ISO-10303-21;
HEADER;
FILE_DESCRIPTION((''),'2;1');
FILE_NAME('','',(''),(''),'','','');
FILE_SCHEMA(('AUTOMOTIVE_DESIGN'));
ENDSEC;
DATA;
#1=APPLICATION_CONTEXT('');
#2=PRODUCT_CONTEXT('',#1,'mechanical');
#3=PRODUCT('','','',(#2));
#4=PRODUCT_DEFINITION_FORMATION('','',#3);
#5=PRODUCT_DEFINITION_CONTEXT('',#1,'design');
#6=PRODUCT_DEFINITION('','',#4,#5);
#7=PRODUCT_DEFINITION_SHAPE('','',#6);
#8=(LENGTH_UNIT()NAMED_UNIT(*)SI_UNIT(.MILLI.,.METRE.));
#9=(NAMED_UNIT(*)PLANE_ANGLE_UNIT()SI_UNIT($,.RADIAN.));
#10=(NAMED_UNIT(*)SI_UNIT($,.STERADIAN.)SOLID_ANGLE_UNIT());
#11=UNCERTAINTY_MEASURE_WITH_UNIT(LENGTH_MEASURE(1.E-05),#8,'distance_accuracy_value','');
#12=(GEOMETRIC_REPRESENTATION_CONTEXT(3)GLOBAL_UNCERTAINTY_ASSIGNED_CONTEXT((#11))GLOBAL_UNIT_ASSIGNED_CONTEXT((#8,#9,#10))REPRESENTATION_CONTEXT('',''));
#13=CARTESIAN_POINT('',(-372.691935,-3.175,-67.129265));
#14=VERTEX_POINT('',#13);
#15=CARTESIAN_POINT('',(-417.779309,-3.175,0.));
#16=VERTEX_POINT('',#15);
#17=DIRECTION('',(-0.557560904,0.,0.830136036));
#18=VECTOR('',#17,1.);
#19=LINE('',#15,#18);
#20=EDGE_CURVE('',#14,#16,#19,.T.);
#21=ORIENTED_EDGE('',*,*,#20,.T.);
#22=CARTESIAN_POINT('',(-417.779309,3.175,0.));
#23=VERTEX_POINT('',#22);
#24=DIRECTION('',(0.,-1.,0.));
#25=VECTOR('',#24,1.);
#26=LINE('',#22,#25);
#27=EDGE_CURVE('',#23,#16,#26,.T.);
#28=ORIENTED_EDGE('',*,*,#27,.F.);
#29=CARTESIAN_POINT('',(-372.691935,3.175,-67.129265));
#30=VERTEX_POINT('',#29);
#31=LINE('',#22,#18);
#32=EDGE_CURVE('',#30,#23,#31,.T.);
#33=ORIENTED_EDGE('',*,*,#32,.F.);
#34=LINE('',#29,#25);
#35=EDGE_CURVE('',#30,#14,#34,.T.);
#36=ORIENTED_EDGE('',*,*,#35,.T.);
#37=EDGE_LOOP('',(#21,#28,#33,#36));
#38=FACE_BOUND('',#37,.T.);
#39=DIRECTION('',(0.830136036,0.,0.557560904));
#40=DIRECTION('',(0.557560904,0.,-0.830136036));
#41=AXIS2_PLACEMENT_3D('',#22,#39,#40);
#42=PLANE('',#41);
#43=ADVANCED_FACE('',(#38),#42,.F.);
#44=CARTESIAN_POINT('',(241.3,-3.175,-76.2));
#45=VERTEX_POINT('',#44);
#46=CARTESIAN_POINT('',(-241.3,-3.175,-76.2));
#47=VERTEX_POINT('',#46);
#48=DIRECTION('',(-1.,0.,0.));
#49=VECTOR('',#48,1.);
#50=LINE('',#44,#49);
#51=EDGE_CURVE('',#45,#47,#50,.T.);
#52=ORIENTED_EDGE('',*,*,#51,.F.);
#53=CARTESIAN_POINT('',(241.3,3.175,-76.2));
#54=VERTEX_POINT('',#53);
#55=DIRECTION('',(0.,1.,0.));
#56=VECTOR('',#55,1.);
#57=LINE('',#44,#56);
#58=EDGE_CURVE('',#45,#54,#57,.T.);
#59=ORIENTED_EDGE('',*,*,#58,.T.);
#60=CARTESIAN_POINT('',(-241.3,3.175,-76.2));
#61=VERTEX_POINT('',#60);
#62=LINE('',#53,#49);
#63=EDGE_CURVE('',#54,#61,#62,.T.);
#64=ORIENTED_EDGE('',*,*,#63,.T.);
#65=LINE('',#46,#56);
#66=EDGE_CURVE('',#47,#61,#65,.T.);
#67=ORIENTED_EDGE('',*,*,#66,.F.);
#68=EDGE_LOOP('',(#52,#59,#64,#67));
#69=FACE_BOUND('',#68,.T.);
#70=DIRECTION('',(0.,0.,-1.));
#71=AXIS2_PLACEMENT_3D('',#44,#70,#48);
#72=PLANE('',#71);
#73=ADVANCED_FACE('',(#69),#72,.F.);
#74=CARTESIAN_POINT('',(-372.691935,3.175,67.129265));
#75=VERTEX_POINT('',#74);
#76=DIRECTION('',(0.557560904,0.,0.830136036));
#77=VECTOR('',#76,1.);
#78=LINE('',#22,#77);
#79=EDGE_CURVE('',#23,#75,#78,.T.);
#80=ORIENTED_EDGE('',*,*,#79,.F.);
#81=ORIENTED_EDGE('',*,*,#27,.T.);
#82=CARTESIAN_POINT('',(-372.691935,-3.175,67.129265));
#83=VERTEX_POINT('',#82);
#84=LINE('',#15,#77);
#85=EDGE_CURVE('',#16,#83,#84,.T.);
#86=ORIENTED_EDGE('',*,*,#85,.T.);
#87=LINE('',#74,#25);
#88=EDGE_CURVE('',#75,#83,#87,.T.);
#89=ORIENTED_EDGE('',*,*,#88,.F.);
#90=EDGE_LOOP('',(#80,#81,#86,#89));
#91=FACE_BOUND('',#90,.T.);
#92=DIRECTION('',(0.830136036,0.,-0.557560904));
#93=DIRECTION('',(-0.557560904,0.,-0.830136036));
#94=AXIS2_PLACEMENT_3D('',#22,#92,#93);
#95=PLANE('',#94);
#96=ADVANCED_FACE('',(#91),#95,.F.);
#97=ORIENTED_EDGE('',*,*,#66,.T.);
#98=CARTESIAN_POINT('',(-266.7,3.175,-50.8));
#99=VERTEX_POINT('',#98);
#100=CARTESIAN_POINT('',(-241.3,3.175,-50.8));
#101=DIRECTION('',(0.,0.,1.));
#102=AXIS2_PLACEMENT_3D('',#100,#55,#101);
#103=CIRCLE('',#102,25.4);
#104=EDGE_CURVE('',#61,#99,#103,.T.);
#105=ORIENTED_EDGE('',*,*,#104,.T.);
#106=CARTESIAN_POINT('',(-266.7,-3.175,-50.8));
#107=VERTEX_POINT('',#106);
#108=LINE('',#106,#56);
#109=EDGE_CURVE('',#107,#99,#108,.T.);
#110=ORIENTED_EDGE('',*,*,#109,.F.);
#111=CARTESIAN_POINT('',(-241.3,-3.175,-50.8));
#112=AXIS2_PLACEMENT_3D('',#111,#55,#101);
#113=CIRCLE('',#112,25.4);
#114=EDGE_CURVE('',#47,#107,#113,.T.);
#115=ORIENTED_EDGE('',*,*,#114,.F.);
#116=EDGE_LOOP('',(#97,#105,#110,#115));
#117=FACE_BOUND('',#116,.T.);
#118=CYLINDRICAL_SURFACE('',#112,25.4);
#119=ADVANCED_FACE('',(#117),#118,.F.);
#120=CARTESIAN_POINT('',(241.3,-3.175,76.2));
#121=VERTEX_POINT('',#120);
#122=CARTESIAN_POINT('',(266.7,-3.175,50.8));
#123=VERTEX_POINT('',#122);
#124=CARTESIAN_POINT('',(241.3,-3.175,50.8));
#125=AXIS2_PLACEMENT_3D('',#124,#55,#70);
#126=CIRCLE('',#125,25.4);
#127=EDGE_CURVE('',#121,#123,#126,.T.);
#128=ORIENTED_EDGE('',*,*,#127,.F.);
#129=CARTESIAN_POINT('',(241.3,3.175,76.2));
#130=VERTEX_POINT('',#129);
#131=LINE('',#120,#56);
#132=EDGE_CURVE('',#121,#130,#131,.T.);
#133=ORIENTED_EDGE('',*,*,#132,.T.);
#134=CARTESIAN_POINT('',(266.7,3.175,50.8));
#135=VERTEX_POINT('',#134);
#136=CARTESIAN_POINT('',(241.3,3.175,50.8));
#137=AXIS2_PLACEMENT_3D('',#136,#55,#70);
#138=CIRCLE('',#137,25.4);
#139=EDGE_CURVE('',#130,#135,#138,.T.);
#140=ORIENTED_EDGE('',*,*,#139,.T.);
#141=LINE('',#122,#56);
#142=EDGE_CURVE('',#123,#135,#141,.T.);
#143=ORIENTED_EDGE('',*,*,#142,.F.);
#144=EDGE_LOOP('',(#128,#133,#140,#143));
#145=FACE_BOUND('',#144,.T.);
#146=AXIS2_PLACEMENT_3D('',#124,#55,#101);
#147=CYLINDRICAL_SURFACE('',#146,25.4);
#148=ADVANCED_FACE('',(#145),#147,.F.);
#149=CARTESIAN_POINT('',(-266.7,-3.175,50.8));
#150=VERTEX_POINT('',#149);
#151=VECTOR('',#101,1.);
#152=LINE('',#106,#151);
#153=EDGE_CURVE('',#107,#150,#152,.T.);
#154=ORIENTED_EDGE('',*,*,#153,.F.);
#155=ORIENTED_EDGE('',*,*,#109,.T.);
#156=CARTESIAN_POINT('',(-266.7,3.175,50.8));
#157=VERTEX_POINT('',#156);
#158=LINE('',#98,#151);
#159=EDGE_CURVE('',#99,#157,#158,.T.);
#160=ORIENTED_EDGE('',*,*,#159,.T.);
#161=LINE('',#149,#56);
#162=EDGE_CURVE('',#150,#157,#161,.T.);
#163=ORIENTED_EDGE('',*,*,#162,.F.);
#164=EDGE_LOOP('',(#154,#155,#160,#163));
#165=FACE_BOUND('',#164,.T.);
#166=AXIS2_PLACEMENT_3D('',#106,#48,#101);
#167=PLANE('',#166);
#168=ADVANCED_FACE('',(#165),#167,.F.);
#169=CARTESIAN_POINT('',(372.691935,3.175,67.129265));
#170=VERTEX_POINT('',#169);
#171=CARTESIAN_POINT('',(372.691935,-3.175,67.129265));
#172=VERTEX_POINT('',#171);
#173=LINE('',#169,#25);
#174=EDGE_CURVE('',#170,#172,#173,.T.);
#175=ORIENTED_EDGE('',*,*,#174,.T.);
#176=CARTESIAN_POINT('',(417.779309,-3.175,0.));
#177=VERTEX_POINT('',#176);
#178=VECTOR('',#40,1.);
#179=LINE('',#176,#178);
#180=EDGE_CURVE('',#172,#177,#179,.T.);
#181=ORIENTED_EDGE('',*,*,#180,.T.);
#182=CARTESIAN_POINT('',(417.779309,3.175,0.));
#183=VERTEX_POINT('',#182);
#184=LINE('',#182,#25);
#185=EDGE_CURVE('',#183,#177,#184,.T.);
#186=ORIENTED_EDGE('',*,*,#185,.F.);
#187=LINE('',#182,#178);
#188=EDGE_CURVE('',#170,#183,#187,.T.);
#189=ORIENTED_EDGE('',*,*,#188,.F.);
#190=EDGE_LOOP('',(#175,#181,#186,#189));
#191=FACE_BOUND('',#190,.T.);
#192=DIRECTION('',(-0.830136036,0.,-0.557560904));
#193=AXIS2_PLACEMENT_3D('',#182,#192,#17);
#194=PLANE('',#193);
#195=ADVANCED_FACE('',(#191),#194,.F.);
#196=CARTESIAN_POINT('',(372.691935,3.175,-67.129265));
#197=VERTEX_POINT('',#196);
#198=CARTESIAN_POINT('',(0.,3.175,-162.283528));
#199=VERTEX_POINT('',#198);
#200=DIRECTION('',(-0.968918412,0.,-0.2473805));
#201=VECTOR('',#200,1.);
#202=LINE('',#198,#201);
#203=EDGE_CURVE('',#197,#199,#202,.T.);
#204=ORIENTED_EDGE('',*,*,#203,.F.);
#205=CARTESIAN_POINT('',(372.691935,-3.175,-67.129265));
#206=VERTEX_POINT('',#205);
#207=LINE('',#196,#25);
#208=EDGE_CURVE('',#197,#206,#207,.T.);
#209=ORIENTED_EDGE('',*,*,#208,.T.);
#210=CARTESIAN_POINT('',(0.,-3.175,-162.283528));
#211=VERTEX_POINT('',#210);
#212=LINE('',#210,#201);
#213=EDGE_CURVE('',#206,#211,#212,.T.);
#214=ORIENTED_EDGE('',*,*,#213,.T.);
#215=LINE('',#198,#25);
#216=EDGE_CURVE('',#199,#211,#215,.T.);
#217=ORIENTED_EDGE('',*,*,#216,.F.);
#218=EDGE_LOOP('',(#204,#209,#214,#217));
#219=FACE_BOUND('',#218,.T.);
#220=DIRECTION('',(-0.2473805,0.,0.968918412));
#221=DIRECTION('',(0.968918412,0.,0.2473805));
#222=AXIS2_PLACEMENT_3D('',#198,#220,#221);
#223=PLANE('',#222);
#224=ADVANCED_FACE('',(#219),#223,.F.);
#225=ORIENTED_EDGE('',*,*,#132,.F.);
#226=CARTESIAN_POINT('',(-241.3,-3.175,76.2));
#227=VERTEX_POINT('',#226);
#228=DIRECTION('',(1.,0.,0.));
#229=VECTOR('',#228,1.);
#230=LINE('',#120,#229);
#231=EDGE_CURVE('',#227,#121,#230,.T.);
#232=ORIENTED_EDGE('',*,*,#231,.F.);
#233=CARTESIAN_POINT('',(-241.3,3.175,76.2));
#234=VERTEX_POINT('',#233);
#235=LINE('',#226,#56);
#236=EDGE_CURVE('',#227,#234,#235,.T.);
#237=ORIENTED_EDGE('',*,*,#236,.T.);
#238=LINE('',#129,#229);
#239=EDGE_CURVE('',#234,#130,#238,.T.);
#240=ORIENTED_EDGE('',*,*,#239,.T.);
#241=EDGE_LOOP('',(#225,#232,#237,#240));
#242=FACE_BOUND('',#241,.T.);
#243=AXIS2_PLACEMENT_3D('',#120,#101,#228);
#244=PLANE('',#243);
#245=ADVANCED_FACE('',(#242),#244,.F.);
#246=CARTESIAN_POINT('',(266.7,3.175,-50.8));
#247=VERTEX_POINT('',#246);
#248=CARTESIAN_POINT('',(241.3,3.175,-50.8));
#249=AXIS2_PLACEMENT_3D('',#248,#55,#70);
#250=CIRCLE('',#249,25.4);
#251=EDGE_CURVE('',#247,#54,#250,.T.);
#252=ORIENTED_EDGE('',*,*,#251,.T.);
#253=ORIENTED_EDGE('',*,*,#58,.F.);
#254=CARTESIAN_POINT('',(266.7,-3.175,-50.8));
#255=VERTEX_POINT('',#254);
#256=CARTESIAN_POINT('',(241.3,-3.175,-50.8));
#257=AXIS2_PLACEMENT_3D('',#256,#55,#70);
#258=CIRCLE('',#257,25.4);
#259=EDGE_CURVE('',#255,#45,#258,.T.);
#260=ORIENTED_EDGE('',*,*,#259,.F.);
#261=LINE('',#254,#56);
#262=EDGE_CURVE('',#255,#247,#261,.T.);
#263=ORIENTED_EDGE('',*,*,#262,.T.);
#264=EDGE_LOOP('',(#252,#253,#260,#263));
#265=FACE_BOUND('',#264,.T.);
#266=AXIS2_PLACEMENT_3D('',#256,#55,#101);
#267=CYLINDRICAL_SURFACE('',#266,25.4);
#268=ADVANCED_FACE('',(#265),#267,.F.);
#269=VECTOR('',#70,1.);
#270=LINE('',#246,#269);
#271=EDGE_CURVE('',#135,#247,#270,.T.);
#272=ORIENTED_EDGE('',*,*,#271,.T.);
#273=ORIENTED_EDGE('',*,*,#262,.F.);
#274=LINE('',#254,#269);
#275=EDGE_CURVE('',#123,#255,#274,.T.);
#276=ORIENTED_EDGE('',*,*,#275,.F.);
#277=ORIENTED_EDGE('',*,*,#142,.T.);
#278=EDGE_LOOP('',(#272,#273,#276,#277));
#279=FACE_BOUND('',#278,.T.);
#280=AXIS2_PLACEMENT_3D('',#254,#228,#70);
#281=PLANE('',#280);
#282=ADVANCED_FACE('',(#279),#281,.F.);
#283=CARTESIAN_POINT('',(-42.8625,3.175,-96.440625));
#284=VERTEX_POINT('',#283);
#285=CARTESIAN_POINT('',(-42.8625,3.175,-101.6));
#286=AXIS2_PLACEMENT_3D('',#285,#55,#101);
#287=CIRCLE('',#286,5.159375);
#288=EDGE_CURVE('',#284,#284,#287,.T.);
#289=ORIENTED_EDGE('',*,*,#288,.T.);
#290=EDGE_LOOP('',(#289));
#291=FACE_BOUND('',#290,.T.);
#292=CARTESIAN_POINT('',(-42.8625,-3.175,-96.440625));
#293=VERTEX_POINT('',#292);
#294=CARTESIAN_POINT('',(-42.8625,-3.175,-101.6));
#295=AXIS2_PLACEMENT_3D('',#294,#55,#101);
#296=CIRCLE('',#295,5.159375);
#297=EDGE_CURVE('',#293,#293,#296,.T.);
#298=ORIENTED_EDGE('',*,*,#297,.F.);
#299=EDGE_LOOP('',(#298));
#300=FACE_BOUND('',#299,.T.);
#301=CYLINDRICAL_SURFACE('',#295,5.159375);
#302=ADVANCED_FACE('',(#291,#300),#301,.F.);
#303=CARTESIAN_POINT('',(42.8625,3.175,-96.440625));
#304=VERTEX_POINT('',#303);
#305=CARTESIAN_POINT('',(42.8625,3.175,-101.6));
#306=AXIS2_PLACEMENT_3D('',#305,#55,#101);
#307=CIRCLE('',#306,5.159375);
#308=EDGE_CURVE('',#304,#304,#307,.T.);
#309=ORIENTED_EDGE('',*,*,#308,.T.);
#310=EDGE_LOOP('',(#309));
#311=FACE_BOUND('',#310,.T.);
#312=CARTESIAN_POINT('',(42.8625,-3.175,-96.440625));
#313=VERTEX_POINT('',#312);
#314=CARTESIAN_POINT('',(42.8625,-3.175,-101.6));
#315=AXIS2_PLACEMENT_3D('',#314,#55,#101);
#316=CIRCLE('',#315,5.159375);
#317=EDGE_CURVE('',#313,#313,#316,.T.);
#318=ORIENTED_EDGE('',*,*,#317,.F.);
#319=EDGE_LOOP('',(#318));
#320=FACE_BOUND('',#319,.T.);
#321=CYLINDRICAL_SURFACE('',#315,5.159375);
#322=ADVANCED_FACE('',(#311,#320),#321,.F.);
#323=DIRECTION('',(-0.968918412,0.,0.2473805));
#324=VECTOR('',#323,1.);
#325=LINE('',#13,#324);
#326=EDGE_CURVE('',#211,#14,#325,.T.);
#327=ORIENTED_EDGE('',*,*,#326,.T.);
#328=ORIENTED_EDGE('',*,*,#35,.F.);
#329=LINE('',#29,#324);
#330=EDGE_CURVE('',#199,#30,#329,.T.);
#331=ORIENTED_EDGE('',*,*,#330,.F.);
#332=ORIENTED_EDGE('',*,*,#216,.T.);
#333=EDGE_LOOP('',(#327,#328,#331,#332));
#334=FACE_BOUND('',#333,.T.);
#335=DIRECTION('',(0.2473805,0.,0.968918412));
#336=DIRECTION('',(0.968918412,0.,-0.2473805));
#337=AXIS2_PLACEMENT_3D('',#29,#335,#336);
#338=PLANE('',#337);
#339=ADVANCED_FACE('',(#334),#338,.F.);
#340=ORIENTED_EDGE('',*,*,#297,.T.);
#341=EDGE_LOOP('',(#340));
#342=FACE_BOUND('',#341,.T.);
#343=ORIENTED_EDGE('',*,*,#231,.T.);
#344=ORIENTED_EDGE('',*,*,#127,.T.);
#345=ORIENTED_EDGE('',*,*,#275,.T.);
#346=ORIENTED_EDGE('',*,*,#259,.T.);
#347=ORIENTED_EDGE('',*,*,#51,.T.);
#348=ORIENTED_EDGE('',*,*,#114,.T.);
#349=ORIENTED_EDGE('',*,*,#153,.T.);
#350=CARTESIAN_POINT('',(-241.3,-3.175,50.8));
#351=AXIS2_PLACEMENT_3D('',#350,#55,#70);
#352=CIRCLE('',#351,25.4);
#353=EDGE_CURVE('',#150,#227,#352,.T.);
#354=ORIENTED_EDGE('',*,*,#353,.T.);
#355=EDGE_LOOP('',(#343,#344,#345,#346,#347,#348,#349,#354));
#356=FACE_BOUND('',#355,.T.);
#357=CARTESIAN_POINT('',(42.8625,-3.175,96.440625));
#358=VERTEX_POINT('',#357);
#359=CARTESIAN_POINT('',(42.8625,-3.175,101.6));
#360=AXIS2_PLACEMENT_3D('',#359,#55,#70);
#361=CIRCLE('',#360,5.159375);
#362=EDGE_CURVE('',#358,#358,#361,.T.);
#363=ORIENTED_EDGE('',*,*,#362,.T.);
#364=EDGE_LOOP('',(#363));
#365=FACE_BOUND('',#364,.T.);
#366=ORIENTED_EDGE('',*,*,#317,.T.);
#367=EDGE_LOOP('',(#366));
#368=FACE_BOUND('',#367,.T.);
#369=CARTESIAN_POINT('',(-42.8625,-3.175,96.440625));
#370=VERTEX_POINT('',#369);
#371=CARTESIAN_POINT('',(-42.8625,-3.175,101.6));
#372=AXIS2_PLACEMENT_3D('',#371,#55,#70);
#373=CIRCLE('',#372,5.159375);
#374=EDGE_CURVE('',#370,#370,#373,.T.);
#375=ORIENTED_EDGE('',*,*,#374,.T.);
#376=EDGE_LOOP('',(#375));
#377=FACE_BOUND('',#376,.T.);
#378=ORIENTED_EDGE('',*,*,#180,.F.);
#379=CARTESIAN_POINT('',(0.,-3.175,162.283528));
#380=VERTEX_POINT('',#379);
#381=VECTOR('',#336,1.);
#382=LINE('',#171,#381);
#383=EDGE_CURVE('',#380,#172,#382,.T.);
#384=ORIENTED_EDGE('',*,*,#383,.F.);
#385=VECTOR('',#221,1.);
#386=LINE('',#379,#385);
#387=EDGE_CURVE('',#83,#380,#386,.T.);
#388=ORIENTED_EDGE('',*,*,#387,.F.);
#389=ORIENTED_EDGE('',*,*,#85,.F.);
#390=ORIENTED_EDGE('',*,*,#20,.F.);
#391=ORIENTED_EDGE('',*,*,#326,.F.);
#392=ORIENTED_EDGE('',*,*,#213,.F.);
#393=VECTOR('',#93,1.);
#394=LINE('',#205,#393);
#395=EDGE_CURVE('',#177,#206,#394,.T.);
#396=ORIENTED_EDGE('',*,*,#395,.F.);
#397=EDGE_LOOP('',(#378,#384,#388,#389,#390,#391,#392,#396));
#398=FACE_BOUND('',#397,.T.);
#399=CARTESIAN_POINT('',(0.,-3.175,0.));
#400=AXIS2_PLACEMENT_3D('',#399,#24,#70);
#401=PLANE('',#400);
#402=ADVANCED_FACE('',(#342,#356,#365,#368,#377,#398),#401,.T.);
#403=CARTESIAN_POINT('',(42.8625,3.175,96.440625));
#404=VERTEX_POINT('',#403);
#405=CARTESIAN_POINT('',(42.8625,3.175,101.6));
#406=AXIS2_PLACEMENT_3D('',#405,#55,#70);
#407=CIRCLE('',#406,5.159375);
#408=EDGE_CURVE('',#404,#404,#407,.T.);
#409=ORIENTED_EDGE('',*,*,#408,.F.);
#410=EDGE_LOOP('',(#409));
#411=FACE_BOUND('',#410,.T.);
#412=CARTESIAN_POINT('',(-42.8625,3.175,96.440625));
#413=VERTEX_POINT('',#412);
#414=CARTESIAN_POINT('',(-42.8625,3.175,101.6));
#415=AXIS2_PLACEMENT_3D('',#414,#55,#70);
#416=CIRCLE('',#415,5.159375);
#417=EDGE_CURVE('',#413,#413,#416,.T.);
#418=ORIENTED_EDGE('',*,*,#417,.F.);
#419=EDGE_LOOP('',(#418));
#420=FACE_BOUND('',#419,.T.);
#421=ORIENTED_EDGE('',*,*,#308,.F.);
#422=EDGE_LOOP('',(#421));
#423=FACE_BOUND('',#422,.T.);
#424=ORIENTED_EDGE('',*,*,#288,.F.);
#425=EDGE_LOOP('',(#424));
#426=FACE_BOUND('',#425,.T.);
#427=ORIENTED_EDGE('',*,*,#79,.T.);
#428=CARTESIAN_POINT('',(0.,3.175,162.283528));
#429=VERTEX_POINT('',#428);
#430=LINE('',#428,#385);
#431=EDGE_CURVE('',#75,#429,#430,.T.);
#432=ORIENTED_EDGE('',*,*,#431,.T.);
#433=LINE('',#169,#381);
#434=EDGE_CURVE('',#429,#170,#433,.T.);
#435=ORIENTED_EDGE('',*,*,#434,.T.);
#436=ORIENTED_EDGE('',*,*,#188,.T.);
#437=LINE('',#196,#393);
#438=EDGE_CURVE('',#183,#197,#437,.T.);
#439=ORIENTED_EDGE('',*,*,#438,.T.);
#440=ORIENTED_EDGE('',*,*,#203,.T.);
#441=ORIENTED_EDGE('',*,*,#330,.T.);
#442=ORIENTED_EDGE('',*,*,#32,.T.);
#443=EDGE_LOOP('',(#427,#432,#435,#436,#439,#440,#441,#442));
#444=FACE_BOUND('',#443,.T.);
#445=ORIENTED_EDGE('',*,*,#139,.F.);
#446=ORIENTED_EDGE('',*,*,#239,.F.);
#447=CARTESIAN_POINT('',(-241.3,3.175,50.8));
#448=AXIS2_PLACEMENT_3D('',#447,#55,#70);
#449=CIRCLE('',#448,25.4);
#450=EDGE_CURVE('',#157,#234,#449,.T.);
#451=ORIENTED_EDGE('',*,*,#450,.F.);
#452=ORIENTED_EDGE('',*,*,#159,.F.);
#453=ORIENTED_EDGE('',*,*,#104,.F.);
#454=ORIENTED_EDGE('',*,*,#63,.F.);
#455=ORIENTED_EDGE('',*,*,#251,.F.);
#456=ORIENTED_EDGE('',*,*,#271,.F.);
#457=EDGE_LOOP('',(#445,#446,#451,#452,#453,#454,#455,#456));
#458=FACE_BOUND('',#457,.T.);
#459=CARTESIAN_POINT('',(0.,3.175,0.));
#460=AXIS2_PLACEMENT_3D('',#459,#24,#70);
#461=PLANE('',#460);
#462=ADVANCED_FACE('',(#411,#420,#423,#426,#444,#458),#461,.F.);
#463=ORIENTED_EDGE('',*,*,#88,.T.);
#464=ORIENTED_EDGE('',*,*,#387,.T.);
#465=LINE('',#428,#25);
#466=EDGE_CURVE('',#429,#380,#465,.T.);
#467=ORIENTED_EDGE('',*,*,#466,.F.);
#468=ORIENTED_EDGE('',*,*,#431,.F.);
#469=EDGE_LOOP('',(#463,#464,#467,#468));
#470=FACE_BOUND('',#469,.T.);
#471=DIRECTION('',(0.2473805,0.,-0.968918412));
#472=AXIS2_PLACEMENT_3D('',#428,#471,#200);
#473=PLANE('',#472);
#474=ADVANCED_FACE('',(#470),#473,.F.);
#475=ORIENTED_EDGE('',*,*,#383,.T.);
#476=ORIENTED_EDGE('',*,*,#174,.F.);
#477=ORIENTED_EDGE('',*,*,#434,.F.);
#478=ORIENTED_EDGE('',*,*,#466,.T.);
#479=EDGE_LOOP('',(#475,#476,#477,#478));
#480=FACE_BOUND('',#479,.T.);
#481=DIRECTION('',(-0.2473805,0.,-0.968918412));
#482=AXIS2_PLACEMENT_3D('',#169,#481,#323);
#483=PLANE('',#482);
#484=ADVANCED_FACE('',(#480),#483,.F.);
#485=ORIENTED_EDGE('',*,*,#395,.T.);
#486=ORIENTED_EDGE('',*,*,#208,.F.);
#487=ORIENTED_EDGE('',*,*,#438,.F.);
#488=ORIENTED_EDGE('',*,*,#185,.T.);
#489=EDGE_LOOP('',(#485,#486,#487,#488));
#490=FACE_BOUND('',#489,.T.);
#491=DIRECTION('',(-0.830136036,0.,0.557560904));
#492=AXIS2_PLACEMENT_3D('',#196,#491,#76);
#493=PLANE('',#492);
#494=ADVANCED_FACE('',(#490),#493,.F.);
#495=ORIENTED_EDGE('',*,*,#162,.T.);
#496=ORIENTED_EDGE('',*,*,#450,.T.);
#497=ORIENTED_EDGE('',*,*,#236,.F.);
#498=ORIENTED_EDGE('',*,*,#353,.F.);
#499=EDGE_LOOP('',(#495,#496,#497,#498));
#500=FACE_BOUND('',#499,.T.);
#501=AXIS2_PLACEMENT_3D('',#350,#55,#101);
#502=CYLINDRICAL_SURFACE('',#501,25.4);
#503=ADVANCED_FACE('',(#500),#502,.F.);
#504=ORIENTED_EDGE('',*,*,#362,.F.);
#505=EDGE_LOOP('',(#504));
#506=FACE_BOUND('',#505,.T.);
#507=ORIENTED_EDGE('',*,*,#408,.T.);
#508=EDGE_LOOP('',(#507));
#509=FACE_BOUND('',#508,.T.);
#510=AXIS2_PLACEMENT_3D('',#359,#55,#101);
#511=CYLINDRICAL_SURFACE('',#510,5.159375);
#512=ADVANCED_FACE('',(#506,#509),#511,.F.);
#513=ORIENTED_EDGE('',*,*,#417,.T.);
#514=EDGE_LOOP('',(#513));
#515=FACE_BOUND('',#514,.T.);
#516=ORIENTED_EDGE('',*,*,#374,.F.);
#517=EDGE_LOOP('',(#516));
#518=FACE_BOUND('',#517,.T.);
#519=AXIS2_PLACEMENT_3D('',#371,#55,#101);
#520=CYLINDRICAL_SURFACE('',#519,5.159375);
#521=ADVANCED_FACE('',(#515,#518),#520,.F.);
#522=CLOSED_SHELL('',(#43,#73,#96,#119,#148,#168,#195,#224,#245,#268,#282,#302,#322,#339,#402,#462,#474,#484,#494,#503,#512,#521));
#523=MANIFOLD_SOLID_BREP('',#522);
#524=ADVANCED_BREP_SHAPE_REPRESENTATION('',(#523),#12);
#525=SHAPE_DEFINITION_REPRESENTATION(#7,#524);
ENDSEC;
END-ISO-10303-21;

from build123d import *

# Parameters (mm, degrees)
BOSS_EXTRUDE1_DEPTH     = 3.175
SKETCH2_R               = 5.159375
CUT_EXTRUDE1_DEPTH      = 4.175
CUT_EXTRUDE1_DEPTH_BACK = 4.175


with BuildPart() as part:
    # Sketch1 → Boss-Extrude1 (new body, symmetric)
    with BuildSketch(Plane(origin=(0, 0, 0), x_dir=(1, 0, 0), z_dir=(0, 1, 0))):
        Polygon((-372.691935385, 67.129264749), (0, 162.283527596), (372.691935385, 67.129264749), (417.779308923, 0), (372.691935385, -67.129264749), (0, -162.283527596), (-372.691935385, -67.129264749), (-417.779308923, 0), align=None)
    extrude(amount=BOSS_EXTRUDE1_DEPTH, both=True)

    # Sketch2 → Cut-Extrude1 (cut, two sides)
    with BuildSketch(Plane(origin=(0, 0, 0), x_dir=(1, 0, 0), z_dir=(0, 1, 0))) as cut_extrude1_sk:
        with Locations((42.8625, 101.6)):
            Circle(SKETCH2_R)
        with Locations((-42.8625, 101.6)):
            Circle(SKETCH2_R)
        with Locations((-42.8625, -101.6)):
            Circle(SKETCH2_R)
        with Locations((42.8625, -101.6)):
            Circle(SKETCH2_R)
        with BuildLine():
            Line((241.3, 76.2), (-241.3, 76.2))
            ThreePointArc((-241.3, 76.2), (-259.260512242, 68.760512242), (-266.7, 50.8))
            Line((-266.7, 50.8), (-266.7, -50.8))
            ThreePointArc((-266.7, -50.8), (-259.260512242, -68.760512242), (-241.3, -76.2))
            Line((-241.3, -76.2), (241.3, -76.2))
            ThreePointArc((241.3, -76.2), (259.260512242, -68.760512242), (266.7, -50.8))
            Line((266.7, -50.8), (266.7, 50.8))
            ThreePointArc((266.7, 50.8), (259.260512242, 68.760512242), (241.3, 76.2))
        make_face()
    extrude(amount=CUT_EXTRUDE1_DEPTH, mode=Mode.SUBTRACT)
    extrude(cut_extrude1_sk.sketch, amount=-CUT_EXTRUDE1_DEPTH_BACK, mode=Mode.SUBTRACT)


solid = part.part
